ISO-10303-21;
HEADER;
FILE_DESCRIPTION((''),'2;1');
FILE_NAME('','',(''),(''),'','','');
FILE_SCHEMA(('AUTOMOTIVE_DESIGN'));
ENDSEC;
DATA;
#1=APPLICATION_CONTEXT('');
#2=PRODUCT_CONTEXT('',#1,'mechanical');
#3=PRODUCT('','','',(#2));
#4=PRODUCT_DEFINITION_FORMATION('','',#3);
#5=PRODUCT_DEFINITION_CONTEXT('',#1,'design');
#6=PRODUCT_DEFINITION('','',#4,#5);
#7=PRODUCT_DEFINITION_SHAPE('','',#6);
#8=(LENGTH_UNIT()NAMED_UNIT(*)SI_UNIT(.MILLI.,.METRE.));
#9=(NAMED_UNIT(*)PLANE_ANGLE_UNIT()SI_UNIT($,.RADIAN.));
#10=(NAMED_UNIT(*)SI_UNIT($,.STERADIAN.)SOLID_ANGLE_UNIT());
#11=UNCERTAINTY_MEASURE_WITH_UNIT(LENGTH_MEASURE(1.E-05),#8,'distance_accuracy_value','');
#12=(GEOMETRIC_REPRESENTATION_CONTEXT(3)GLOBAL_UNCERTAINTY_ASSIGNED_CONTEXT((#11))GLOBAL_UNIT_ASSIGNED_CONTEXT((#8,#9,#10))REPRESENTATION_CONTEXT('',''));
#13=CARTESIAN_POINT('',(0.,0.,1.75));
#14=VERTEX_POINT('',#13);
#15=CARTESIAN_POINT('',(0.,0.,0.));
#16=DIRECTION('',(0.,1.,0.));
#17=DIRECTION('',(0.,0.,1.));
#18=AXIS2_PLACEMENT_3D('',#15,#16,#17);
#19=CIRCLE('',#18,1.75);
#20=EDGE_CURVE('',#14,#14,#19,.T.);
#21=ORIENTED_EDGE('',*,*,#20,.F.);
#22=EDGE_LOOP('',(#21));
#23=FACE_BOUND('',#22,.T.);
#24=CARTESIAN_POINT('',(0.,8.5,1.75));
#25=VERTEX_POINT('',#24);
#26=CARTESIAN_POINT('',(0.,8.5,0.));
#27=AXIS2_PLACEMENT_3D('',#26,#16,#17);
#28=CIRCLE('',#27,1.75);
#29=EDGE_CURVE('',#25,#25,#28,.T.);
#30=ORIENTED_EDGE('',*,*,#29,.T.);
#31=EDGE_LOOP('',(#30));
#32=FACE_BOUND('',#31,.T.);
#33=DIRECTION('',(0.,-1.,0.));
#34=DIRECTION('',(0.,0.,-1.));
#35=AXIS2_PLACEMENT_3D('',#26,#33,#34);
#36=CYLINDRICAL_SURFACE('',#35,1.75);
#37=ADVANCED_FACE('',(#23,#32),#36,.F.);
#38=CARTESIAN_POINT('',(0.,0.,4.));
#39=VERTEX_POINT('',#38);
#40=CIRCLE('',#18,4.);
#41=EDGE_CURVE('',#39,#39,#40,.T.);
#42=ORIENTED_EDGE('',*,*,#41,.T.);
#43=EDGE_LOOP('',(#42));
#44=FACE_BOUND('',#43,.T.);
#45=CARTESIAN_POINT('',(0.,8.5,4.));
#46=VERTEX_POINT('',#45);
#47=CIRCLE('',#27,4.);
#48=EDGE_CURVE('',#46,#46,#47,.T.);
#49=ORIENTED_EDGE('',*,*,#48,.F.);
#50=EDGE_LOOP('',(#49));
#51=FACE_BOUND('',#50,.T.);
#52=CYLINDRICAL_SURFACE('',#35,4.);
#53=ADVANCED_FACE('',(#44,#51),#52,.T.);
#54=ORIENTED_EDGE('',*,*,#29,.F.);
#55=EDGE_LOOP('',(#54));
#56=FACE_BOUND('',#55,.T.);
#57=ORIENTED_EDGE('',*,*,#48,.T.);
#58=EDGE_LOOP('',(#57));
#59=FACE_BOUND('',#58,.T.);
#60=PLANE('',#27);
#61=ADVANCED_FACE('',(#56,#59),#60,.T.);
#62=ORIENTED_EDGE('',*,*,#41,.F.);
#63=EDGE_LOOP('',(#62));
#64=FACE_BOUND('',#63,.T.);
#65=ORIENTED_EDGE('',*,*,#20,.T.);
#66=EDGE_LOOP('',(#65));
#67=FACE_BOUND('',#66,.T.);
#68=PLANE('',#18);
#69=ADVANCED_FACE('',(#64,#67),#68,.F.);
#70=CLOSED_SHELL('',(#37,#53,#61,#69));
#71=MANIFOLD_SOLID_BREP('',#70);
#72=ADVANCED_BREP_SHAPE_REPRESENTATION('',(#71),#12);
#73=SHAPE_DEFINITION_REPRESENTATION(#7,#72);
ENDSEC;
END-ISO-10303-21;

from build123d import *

# Parameters (mm, degrees)
SKETCH_1_R      = 4
SKETCH_1_R_2    = 1.75
EXTRUDE_1_DEPTH = 8.5


with BuildPart() as part:
    # Эскиз1 → Бобышка-Вытянуть1 (new body)
    with BuildSketch(Plane(origin=(0, 0, 0), x_dir=(1, 0, 0), z_dir=(0, 1, 0))):
        with Locations(Location((0, 0, 0), (0, 0, 270))):
            Circle(SKETCH_1_R)
        with Locations(Location((0, 0, 0), (0, 0, 270))):
            Circle(SKETCH_1_R_2, mode=Mode.SUBTRACT)
    extrude(amount=EXTRUDE_1_DEPTH)


solid = part.part
